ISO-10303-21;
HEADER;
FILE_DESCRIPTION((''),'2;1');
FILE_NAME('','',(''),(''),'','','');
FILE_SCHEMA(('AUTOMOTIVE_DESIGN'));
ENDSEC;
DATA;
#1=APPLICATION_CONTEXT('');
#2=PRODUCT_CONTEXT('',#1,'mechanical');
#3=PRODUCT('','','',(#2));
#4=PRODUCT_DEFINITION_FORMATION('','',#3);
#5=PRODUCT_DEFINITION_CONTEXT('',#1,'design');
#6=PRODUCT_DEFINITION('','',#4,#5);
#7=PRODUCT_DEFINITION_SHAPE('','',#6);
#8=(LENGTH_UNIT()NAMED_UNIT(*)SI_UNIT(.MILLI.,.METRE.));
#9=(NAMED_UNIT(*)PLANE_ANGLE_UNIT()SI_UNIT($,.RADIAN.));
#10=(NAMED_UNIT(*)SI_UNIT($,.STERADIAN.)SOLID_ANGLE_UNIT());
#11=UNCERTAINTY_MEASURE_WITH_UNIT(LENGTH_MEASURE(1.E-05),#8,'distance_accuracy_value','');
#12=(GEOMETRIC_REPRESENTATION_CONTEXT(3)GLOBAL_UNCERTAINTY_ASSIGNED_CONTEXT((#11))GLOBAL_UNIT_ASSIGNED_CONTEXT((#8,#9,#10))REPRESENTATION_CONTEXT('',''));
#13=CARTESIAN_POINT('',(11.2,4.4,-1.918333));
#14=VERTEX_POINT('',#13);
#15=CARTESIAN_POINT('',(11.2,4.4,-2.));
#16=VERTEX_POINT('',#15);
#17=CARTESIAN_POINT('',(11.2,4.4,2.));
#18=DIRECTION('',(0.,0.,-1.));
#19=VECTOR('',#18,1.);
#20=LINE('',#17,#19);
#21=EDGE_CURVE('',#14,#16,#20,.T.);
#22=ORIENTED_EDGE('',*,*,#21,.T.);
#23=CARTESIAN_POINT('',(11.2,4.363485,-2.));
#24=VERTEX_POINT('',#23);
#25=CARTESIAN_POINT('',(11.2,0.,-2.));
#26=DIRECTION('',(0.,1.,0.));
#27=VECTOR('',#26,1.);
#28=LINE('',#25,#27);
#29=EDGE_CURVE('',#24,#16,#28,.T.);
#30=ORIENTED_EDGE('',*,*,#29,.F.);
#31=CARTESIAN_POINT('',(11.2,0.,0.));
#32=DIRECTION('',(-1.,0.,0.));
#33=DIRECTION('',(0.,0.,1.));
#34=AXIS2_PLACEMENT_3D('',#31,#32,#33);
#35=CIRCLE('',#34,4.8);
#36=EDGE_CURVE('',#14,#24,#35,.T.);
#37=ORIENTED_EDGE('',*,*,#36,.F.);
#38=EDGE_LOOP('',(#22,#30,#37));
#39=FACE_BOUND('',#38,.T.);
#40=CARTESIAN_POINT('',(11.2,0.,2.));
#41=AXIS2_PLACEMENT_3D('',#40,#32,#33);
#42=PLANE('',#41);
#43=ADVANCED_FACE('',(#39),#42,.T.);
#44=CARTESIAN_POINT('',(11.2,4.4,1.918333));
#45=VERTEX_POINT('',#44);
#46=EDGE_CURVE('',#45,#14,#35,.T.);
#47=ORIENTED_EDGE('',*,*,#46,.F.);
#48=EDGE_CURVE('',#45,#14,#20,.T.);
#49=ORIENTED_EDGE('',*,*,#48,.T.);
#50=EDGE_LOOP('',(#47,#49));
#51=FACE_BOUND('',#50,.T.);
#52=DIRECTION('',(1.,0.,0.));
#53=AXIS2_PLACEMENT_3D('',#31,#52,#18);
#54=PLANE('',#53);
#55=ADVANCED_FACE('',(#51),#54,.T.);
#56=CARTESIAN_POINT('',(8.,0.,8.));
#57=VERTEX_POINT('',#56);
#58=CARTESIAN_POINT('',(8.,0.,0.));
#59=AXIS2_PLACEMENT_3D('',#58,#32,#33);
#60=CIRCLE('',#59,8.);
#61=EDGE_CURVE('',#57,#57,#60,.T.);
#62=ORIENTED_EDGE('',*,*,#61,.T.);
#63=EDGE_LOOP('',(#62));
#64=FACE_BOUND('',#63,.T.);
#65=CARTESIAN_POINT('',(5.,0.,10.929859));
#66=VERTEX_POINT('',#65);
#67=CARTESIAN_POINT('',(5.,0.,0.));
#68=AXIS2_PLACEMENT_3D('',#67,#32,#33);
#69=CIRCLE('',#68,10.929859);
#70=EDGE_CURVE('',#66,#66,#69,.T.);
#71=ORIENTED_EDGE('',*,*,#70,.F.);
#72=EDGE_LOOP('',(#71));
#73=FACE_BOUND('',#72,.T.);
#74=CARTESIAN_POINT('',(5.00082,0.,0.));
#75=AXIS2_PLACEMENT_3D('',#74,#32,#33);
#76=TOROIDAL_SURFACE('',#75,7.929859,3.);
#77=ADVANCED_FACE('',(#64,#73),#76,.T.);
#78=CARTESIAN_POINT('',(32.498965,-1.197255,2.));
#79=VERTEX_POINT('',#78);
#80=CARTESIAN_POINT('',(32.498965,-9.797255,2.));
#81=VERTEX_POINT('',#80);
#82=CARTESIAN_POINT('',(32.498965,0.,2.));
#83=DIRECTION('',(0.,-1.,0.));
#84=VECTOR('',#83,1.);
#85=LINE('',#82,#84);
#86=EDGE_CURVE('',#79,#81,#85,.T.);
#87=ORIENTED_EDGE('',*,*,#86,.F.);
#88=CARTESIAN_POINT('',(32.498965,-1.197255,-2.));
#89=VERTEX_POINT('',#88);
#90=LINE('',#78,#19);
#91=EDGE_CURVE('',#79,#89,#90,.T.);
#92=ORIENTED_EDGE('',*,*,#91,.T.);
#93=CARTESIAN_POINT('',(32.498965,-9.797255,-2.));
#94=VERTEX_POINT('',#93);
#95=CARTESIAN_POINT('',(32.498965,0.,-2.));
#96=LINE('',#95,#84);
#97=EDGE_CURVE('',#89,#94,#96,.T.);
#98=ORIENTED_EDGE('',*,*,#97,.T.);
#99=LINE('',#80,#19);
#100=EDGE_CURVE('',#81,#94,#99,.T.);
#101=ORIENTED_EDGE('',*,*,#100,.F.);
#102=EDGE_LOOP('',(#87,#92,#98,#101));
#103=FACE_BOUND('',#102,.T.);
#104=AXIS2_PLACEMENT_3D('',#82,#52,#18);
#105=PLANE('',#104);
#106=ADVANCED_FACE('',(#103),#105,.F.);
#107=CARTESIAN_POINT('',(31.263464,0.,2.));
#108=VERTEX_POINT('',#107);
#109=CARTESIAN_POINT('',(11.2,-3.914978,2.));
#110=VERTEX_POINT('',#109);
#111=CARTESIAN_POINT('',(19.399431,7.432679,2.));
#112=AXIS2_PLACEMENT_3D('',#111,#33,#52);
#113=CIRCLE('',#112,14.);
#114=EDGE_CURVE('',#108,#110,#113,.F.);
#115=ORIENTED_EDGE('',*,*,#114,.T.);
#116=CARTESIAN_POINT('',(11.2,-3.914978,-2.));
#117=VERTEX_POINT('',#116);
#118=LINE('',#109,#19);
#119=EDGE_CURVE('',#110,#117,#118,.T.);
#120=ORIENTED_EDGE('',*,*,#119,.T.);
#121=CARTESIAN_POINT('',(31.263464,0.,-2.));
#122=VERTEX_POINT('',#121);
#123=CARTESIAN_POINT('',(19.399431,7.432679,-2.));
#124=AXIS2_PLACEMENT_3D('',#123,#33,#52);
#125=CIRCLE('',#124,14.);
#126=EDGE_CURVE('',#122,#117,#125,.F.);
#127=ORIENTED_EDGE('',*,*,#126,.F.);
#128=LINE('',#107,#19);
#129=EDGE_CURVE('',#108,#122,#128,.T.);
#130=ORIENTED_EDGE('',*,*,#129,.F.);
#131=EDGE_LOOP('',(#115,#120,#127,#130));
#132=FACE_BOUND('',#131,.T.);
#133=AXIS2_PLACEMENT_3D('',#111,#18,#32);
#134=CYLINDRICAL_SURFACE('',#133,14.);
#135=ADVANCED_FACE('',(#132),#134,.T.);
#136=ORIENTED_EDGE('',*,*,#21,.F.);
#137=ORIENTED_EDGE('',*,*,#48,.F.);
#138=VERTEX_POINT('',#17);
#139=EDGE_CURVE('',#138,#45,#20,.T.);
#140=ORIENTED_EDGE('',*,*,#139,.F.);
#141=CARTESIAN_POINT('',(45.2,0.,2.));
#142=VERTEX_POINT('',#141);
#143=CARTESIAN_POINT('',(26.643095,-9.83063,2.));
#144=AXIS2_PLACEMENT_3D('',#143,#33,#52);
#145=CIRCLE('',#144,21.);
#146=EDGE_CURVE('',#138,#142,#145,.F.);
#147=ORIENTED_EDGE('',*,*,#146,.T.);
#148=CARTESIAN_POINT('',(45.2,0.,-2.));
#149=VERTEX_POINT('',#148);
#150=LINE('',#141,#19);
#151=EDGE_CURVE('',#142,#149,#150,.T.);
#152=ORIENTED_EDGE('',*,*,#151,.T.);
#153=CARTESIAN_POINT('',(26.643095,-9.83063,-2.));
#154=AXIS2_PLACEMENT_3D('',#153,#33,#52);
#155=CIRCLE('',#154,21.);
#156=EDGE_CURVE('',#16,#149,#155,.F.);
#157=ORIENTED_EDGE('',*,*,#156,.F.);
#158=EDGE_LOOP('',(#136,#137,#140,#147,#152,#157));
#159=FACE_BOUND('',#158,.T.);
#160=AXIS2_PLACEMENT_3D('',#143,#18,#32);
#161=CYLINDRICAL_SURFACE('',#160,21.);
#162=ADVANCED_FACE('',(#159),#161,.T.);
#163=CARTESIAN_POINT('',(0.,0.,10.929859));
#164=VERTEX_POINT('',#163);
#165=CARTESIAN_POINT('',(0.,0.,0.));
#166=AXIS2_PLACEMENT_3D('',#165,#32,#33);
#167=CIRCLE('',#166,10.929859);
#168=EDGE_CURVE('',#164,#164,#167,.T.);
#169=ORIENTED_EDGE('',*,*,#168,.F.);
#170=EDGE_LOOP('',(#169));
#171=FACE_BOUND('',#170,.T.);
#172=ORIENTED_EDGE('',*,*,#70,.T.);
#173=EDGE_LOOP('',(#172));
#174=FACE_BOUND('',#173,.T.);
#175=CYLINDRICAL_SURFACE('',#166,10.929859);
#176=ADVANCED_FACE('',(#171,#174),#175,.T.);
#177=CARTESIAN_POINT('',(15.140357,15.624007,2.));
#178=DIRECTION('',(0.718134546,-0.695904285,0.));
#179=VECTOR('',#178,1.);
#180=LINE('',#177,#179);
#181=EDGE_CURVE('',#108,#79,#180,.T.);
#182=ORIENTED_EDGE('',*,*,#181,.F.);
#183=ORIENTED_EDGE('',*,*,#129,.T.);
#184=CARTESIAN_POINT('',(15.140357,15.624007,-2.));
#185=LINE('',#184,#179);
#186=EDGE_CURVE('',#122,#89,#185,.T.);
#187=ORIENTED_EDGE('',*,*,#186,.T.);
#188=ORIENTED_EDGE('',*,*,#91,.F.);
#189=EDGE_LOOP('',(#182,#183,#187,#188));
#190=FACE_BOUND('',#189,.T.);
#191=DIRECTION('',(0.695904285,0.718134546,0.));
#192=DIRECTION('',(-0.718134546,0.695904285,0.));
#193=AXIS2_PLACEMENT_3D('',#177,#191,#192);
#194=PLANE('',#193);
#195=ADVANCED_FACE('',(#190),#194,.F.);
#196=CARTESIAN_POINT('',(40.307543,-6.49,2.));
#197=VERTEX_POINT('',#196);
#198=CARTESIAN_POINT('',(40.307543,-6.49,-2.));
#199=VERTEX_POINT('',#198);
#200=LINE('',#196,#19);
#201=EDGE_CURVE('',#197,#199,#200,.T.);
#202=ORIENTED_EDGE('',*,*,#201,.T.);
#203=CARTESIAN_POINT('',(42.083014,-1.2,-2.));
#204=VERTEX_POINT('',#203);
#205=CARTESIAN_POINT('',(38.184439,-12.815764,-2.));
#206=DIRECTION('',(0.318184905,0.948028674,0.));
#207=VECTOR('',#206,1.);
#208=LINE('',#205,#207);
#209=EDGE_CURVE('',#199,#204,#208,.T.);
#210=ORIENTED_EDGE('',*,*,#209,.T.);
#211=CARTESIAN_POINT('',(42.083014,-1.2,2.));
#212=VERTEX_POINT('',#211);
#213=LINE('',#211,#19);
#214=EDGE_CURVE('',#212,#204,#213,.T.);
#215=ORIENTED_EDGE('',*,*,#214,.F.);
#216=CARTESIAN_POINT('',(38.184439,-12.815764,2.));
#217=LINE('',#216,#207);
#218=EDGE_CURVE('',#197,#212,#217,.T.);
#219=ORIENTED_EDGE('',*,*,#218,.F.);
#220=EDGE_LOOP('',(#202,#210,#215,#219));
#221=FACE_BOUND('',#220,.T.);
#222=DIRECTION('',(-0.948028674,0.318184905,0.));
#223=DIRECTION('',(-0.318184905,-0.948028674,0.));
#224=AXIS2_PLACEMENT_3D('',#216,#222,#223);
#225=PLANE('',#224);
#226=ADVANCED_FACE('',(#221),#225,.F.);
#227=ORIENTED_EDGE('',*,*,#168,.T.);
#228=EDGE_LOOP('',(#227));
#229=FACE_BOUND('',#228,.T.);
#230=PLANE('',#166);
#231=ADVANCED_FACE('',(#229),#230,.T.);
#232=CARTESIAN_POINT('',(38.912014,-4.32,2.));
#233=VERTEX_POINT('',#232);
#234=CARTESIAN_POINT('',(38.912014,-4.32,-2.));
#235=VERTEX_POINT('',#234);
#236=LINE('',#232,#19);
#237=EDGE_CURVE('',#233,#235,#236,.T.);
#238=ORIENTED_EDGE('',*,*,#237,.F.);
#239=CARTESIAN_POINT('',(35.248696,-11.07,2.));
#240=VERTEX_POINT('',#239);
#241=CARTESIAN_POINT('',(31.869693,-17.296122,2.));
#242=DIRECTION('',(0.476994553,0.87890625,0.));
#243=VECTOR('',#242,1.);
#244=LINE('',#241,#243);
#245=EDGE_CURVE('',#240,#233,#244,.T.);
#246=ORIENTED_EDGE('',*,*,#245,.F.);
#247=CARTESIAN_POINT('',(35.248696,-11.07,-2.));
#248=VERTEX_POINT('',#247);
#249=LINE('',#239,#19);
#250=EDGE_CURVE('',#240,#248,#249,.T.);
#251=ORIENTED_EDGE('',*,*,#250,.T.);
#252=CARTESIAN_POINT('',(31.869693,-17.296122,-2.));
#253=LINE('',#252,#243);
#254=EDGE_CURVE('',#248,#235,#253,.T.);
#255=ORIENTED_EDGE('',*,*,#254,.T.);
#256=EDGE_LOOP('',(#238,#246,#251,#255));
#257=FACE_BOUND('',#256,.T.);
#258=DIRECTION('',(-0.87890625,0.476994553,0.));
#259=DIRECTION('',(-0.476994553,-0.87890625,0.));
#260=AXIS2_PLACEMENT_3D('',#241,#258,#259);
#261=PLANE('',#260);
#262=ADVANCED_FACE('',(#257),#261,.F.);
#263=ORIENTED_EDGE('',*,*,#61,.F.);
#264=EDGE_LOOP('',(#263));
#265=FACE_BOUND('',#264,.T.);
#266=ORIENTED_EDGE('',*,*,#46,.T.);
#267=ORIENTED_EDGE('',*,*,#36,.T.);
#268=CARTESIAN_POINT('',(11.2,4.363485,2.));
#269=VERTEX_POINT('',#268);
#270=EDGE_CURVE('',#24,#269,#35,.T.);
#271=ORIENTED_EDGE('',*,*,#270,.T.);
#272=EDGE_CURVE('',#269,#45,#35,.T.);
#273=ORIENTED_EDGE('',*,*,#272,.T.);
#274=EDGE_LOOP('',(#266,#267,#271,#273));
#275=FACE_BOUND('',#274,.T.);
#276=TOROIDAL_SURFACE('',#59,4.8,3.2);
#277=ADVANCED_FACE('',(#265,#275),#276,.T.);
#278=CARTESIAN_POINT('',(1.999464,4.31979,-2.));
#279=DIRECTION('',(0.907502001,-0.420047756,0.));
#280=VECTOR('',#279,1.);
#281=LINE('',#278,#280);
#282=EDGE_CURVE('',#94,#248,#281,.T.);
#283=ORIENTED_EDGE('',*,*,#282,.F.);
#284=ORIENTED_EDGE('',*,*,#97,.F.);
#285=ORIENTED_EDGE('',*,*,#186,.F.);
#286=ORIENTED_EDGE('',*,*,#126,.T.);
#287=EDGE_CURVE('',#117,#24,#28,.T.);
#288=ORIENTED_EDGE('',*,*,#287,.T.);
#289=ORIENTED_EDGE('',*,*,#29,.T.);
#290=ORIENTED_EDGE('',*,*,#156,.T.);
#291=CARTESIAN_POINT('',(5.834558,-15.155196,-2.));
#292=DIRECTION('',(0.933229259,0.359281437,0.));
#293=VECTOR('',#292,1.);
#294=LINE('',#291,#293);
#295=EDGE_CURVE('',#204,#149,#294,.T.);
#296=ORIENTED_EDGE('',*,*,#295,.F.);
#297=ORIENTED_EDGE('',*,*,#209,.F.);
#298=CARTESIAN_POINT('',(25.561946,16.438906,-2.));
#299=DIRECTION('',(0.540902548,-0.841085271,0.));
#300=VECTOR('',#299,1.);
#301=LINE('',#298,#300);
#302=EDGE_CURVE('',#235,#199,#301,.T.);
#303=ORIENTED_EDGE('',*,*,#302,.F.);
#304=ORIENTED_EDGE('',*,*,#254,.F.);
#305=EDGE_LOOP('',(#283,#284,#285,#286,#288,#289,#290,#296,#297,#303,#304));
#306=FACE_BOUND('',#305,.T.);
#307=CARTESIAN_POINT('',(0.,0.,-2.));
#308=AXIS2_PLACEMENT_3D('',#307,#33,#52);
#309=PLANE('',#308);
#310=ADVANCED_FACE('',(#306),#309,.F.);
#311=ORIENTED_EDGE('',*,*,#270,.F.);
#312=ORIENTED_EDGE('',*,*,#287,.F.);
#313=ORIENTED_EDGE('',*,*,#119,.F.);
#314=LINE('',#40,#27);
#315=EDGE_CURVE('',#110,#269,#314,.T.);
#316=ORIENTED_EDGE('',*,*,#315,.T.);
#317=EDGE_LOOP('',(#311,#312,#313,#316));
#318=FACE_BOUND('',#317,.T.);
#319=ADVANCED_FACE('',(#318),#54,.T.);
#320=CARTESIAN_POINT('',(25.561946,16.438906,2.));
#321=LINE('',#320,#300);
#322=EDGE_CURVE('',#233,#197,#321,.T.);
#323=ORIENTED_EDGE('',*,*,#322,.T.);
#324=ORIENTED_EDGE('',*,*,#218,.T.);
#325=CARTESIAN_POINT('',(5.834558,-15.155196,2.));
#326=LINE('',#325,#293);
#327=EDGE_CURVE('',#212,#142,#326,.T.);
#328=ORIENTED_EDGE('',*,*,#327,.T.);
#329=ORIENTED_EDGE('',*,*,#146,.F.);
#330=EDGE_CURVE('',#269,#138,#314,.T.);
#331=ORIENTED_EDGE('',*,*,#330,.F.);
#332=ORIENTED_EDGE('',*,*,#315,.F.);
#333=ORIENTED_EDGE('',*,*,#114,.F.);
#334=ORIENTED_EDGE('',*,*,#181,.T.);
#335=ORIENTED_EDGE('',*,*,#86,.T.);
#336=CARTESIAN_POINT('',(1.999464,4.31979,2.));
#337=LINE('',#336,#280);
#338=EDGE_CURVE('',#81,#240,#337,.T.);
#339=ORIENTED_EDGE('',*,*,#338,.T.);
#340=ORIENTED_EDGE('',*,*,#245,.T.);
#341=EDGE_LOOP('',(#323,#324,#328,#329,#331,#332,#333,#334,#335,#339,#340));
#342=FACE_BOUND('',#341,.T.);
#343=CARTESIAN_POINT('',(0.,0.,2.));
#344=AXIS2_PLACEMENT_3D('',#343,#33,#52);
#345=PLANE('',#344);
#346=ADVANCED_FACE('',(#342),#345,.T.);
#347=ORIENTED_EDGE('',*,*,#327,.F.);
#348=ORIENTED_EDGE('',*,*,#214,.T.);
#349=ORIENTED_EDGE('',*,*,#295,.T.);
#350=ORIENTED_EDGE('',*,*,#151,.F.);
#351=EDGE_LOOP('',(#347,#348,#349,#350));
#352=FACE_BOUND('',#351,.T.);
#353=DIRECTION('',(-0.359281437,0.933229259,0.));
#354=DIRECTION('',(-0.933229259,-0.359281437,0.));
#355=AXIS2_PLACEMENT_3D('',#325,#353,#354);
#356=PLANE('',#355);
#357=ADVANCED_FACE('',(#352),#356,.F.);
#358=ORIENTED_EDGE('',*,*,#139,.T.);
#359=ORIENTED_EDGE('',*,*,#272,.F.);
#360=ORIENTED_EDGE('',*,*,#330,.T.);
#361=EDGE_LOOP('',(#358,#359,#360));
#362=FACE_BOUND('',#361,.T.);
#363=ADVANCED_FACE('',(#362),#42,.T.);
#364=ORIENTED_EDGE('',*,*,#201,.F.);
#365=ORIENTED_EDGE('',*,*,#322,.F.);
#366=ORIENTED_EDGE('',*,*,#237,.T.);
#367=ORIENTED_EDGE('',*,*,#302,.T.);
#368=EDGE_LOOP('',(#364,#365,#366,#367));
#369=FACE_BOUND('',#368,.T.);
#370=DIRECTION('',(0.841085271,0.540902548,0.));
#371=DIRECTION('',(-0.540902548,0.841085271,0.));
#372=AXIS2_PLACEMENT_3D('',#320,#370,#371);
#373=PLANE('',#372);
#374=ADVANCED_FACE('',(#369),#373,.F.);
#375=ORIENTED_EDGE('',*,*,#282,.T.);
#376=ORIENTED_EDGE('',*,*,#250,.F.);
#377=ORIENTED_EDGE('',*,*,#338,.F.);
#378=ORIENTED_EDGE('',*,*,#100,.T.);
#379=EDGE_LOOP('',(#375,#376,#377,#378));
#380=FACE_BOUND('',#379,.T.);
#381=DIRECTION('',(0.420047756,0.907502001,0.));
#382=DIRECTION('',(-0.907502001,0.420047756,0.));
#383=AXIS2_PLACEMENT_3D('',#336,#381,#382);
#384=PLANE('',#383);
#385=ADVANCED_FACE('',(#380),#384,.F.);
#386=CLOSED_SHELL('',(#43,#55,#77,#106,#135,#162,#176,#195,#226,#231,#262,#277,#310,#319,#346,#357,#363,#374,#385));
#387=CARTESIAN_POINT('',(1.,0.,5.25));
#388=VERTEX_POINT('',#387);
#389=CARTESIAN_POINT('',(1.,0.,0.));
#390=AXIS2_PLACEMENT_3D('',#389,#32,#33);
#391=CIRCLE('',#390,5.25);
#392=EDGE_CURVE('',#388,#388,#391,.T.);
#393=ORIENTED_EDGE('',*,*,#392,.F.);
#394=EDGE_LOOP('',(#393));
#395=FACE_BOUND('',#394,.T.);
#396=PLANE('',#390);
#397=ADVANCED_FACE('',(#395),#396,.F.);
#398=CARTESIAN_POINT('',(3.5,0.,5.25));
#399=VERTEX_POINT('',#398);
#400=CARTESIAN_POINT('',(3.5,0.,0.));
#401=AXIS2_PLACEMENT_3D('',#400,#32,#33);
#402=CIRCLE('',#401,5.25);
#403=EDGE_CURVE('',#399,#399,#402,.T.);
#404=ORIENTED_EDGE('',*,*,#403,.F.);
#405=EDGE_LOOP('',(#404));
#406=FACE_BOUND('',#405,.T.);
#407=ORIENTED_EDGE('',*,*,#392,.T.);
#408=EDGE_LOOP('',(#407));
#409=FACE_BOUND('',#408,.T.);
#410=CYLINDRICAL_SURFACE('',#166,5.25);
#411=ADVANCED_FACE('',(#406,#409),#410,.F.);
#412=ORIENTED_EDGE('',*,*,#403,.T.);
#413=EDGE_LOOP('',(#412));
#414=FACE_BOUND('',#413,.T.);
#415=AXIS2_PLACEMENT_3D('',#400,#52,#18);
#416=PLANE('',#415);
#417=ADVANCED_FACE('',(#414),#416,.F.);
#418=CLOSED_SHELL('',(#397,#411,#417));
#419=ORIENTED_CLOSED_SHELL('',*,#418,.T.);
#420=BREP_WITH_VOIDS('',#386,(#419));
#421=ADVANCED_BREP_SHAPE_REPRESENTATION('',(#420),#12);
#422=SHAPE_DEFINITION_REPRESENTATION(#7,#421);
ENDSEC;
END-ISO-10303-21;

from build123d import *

# Parameters (mm, degrees)
EXTRUDE_2037_DEPTH = 2


with BuildPart() as part:
    # Sketch 227 → Повернуть1 (revolve)
    with BuildSketch(Plane.XY, mode=Mode.PRIVATE) as revolve_1_sk:
        with BuildLine():
            Line((0, 10.929858877), (0, 0))
            Line((0, 0), (1, 0))
            Line((1, 0), (1, 5.25))
            Line((1, 5.25), (3.5, 5.25))
            Line((3.5, 5.25), (3.5, 0))
            Line((3.5, 0), (8, 0))
            Line((8, 0), (8, 8))
            ThreePointArc((8, 8), (7.096901825, 10.076121155), (5, 10.929858877))
            Line((5, 10.929858877), (0, 10.929858877))
        make_face()
        with BuildLine():
            ThreePointArc((11.2, 4.8), (10.2627417, 7.0627417), (8, 8))
            Line((8, 8), (8, 0))
            Line((8, 0), (11.2, 0))
            Line((11.2, 0), (11.2, 2.4))
            Line((11.2, 2.4), (11.2, 4.8))
        make_face()
    revolve(revolve_1_sk.sketch.rotate(Axis((0, 0, 0), (1, 0, 0)), 90), axis=Axis((0, 0, 0), (1, 0, 0)))

    # Sketch 1020 → Extrude 2037 (add, symmetric)
    with BuildSketch(Plane.XY):
        with BuildLine():
            ThreePointArc((11.2, 4.4), (29.338267199, 10.995701086), (45.2, 0))
            Line((45.2, 0), (11.2, 0))
            Line((11.2, 0), (11.2, 4.4))
        make_face()
        with BuildLine():
            Line((31.263463773, 0), (11.2, 0))
            Line((11.2, 0), (11.2, -3.914978255))
            ThreePointArc((11.2, -3.914978255), (22.080678837, -6.30816882), (31.263463773, 0))
        make_face()
        Polygon((38.912013935, 0), (35.248695767, 0), (35.248695767, -11.07), (38.912013935, -4.32), align=None)
        Polygon((35.248695767, 0), (31.263463773, 0), (32.498964702, -1.197255299), (32.498964702, -9.797255299), (35.248695767, -11.07), align=None)
        Polygon((42.083014277, -1.2), (42.083014277, 0), (40.307542508, 0), (40.307542508, -6.49), align=None)
        Polygon((40.307542508, 0), (38.912013935, 0), (38.912013935, -4.32), (40.307542508, -6.49), align=None)
        Polygon((42.083014277, -1.2), (45.2, 0), (42.083014277, 0), align=None)
    extrude(amount=EXTRUDE_2037_DEPTH, both=True)


solid = part.part
